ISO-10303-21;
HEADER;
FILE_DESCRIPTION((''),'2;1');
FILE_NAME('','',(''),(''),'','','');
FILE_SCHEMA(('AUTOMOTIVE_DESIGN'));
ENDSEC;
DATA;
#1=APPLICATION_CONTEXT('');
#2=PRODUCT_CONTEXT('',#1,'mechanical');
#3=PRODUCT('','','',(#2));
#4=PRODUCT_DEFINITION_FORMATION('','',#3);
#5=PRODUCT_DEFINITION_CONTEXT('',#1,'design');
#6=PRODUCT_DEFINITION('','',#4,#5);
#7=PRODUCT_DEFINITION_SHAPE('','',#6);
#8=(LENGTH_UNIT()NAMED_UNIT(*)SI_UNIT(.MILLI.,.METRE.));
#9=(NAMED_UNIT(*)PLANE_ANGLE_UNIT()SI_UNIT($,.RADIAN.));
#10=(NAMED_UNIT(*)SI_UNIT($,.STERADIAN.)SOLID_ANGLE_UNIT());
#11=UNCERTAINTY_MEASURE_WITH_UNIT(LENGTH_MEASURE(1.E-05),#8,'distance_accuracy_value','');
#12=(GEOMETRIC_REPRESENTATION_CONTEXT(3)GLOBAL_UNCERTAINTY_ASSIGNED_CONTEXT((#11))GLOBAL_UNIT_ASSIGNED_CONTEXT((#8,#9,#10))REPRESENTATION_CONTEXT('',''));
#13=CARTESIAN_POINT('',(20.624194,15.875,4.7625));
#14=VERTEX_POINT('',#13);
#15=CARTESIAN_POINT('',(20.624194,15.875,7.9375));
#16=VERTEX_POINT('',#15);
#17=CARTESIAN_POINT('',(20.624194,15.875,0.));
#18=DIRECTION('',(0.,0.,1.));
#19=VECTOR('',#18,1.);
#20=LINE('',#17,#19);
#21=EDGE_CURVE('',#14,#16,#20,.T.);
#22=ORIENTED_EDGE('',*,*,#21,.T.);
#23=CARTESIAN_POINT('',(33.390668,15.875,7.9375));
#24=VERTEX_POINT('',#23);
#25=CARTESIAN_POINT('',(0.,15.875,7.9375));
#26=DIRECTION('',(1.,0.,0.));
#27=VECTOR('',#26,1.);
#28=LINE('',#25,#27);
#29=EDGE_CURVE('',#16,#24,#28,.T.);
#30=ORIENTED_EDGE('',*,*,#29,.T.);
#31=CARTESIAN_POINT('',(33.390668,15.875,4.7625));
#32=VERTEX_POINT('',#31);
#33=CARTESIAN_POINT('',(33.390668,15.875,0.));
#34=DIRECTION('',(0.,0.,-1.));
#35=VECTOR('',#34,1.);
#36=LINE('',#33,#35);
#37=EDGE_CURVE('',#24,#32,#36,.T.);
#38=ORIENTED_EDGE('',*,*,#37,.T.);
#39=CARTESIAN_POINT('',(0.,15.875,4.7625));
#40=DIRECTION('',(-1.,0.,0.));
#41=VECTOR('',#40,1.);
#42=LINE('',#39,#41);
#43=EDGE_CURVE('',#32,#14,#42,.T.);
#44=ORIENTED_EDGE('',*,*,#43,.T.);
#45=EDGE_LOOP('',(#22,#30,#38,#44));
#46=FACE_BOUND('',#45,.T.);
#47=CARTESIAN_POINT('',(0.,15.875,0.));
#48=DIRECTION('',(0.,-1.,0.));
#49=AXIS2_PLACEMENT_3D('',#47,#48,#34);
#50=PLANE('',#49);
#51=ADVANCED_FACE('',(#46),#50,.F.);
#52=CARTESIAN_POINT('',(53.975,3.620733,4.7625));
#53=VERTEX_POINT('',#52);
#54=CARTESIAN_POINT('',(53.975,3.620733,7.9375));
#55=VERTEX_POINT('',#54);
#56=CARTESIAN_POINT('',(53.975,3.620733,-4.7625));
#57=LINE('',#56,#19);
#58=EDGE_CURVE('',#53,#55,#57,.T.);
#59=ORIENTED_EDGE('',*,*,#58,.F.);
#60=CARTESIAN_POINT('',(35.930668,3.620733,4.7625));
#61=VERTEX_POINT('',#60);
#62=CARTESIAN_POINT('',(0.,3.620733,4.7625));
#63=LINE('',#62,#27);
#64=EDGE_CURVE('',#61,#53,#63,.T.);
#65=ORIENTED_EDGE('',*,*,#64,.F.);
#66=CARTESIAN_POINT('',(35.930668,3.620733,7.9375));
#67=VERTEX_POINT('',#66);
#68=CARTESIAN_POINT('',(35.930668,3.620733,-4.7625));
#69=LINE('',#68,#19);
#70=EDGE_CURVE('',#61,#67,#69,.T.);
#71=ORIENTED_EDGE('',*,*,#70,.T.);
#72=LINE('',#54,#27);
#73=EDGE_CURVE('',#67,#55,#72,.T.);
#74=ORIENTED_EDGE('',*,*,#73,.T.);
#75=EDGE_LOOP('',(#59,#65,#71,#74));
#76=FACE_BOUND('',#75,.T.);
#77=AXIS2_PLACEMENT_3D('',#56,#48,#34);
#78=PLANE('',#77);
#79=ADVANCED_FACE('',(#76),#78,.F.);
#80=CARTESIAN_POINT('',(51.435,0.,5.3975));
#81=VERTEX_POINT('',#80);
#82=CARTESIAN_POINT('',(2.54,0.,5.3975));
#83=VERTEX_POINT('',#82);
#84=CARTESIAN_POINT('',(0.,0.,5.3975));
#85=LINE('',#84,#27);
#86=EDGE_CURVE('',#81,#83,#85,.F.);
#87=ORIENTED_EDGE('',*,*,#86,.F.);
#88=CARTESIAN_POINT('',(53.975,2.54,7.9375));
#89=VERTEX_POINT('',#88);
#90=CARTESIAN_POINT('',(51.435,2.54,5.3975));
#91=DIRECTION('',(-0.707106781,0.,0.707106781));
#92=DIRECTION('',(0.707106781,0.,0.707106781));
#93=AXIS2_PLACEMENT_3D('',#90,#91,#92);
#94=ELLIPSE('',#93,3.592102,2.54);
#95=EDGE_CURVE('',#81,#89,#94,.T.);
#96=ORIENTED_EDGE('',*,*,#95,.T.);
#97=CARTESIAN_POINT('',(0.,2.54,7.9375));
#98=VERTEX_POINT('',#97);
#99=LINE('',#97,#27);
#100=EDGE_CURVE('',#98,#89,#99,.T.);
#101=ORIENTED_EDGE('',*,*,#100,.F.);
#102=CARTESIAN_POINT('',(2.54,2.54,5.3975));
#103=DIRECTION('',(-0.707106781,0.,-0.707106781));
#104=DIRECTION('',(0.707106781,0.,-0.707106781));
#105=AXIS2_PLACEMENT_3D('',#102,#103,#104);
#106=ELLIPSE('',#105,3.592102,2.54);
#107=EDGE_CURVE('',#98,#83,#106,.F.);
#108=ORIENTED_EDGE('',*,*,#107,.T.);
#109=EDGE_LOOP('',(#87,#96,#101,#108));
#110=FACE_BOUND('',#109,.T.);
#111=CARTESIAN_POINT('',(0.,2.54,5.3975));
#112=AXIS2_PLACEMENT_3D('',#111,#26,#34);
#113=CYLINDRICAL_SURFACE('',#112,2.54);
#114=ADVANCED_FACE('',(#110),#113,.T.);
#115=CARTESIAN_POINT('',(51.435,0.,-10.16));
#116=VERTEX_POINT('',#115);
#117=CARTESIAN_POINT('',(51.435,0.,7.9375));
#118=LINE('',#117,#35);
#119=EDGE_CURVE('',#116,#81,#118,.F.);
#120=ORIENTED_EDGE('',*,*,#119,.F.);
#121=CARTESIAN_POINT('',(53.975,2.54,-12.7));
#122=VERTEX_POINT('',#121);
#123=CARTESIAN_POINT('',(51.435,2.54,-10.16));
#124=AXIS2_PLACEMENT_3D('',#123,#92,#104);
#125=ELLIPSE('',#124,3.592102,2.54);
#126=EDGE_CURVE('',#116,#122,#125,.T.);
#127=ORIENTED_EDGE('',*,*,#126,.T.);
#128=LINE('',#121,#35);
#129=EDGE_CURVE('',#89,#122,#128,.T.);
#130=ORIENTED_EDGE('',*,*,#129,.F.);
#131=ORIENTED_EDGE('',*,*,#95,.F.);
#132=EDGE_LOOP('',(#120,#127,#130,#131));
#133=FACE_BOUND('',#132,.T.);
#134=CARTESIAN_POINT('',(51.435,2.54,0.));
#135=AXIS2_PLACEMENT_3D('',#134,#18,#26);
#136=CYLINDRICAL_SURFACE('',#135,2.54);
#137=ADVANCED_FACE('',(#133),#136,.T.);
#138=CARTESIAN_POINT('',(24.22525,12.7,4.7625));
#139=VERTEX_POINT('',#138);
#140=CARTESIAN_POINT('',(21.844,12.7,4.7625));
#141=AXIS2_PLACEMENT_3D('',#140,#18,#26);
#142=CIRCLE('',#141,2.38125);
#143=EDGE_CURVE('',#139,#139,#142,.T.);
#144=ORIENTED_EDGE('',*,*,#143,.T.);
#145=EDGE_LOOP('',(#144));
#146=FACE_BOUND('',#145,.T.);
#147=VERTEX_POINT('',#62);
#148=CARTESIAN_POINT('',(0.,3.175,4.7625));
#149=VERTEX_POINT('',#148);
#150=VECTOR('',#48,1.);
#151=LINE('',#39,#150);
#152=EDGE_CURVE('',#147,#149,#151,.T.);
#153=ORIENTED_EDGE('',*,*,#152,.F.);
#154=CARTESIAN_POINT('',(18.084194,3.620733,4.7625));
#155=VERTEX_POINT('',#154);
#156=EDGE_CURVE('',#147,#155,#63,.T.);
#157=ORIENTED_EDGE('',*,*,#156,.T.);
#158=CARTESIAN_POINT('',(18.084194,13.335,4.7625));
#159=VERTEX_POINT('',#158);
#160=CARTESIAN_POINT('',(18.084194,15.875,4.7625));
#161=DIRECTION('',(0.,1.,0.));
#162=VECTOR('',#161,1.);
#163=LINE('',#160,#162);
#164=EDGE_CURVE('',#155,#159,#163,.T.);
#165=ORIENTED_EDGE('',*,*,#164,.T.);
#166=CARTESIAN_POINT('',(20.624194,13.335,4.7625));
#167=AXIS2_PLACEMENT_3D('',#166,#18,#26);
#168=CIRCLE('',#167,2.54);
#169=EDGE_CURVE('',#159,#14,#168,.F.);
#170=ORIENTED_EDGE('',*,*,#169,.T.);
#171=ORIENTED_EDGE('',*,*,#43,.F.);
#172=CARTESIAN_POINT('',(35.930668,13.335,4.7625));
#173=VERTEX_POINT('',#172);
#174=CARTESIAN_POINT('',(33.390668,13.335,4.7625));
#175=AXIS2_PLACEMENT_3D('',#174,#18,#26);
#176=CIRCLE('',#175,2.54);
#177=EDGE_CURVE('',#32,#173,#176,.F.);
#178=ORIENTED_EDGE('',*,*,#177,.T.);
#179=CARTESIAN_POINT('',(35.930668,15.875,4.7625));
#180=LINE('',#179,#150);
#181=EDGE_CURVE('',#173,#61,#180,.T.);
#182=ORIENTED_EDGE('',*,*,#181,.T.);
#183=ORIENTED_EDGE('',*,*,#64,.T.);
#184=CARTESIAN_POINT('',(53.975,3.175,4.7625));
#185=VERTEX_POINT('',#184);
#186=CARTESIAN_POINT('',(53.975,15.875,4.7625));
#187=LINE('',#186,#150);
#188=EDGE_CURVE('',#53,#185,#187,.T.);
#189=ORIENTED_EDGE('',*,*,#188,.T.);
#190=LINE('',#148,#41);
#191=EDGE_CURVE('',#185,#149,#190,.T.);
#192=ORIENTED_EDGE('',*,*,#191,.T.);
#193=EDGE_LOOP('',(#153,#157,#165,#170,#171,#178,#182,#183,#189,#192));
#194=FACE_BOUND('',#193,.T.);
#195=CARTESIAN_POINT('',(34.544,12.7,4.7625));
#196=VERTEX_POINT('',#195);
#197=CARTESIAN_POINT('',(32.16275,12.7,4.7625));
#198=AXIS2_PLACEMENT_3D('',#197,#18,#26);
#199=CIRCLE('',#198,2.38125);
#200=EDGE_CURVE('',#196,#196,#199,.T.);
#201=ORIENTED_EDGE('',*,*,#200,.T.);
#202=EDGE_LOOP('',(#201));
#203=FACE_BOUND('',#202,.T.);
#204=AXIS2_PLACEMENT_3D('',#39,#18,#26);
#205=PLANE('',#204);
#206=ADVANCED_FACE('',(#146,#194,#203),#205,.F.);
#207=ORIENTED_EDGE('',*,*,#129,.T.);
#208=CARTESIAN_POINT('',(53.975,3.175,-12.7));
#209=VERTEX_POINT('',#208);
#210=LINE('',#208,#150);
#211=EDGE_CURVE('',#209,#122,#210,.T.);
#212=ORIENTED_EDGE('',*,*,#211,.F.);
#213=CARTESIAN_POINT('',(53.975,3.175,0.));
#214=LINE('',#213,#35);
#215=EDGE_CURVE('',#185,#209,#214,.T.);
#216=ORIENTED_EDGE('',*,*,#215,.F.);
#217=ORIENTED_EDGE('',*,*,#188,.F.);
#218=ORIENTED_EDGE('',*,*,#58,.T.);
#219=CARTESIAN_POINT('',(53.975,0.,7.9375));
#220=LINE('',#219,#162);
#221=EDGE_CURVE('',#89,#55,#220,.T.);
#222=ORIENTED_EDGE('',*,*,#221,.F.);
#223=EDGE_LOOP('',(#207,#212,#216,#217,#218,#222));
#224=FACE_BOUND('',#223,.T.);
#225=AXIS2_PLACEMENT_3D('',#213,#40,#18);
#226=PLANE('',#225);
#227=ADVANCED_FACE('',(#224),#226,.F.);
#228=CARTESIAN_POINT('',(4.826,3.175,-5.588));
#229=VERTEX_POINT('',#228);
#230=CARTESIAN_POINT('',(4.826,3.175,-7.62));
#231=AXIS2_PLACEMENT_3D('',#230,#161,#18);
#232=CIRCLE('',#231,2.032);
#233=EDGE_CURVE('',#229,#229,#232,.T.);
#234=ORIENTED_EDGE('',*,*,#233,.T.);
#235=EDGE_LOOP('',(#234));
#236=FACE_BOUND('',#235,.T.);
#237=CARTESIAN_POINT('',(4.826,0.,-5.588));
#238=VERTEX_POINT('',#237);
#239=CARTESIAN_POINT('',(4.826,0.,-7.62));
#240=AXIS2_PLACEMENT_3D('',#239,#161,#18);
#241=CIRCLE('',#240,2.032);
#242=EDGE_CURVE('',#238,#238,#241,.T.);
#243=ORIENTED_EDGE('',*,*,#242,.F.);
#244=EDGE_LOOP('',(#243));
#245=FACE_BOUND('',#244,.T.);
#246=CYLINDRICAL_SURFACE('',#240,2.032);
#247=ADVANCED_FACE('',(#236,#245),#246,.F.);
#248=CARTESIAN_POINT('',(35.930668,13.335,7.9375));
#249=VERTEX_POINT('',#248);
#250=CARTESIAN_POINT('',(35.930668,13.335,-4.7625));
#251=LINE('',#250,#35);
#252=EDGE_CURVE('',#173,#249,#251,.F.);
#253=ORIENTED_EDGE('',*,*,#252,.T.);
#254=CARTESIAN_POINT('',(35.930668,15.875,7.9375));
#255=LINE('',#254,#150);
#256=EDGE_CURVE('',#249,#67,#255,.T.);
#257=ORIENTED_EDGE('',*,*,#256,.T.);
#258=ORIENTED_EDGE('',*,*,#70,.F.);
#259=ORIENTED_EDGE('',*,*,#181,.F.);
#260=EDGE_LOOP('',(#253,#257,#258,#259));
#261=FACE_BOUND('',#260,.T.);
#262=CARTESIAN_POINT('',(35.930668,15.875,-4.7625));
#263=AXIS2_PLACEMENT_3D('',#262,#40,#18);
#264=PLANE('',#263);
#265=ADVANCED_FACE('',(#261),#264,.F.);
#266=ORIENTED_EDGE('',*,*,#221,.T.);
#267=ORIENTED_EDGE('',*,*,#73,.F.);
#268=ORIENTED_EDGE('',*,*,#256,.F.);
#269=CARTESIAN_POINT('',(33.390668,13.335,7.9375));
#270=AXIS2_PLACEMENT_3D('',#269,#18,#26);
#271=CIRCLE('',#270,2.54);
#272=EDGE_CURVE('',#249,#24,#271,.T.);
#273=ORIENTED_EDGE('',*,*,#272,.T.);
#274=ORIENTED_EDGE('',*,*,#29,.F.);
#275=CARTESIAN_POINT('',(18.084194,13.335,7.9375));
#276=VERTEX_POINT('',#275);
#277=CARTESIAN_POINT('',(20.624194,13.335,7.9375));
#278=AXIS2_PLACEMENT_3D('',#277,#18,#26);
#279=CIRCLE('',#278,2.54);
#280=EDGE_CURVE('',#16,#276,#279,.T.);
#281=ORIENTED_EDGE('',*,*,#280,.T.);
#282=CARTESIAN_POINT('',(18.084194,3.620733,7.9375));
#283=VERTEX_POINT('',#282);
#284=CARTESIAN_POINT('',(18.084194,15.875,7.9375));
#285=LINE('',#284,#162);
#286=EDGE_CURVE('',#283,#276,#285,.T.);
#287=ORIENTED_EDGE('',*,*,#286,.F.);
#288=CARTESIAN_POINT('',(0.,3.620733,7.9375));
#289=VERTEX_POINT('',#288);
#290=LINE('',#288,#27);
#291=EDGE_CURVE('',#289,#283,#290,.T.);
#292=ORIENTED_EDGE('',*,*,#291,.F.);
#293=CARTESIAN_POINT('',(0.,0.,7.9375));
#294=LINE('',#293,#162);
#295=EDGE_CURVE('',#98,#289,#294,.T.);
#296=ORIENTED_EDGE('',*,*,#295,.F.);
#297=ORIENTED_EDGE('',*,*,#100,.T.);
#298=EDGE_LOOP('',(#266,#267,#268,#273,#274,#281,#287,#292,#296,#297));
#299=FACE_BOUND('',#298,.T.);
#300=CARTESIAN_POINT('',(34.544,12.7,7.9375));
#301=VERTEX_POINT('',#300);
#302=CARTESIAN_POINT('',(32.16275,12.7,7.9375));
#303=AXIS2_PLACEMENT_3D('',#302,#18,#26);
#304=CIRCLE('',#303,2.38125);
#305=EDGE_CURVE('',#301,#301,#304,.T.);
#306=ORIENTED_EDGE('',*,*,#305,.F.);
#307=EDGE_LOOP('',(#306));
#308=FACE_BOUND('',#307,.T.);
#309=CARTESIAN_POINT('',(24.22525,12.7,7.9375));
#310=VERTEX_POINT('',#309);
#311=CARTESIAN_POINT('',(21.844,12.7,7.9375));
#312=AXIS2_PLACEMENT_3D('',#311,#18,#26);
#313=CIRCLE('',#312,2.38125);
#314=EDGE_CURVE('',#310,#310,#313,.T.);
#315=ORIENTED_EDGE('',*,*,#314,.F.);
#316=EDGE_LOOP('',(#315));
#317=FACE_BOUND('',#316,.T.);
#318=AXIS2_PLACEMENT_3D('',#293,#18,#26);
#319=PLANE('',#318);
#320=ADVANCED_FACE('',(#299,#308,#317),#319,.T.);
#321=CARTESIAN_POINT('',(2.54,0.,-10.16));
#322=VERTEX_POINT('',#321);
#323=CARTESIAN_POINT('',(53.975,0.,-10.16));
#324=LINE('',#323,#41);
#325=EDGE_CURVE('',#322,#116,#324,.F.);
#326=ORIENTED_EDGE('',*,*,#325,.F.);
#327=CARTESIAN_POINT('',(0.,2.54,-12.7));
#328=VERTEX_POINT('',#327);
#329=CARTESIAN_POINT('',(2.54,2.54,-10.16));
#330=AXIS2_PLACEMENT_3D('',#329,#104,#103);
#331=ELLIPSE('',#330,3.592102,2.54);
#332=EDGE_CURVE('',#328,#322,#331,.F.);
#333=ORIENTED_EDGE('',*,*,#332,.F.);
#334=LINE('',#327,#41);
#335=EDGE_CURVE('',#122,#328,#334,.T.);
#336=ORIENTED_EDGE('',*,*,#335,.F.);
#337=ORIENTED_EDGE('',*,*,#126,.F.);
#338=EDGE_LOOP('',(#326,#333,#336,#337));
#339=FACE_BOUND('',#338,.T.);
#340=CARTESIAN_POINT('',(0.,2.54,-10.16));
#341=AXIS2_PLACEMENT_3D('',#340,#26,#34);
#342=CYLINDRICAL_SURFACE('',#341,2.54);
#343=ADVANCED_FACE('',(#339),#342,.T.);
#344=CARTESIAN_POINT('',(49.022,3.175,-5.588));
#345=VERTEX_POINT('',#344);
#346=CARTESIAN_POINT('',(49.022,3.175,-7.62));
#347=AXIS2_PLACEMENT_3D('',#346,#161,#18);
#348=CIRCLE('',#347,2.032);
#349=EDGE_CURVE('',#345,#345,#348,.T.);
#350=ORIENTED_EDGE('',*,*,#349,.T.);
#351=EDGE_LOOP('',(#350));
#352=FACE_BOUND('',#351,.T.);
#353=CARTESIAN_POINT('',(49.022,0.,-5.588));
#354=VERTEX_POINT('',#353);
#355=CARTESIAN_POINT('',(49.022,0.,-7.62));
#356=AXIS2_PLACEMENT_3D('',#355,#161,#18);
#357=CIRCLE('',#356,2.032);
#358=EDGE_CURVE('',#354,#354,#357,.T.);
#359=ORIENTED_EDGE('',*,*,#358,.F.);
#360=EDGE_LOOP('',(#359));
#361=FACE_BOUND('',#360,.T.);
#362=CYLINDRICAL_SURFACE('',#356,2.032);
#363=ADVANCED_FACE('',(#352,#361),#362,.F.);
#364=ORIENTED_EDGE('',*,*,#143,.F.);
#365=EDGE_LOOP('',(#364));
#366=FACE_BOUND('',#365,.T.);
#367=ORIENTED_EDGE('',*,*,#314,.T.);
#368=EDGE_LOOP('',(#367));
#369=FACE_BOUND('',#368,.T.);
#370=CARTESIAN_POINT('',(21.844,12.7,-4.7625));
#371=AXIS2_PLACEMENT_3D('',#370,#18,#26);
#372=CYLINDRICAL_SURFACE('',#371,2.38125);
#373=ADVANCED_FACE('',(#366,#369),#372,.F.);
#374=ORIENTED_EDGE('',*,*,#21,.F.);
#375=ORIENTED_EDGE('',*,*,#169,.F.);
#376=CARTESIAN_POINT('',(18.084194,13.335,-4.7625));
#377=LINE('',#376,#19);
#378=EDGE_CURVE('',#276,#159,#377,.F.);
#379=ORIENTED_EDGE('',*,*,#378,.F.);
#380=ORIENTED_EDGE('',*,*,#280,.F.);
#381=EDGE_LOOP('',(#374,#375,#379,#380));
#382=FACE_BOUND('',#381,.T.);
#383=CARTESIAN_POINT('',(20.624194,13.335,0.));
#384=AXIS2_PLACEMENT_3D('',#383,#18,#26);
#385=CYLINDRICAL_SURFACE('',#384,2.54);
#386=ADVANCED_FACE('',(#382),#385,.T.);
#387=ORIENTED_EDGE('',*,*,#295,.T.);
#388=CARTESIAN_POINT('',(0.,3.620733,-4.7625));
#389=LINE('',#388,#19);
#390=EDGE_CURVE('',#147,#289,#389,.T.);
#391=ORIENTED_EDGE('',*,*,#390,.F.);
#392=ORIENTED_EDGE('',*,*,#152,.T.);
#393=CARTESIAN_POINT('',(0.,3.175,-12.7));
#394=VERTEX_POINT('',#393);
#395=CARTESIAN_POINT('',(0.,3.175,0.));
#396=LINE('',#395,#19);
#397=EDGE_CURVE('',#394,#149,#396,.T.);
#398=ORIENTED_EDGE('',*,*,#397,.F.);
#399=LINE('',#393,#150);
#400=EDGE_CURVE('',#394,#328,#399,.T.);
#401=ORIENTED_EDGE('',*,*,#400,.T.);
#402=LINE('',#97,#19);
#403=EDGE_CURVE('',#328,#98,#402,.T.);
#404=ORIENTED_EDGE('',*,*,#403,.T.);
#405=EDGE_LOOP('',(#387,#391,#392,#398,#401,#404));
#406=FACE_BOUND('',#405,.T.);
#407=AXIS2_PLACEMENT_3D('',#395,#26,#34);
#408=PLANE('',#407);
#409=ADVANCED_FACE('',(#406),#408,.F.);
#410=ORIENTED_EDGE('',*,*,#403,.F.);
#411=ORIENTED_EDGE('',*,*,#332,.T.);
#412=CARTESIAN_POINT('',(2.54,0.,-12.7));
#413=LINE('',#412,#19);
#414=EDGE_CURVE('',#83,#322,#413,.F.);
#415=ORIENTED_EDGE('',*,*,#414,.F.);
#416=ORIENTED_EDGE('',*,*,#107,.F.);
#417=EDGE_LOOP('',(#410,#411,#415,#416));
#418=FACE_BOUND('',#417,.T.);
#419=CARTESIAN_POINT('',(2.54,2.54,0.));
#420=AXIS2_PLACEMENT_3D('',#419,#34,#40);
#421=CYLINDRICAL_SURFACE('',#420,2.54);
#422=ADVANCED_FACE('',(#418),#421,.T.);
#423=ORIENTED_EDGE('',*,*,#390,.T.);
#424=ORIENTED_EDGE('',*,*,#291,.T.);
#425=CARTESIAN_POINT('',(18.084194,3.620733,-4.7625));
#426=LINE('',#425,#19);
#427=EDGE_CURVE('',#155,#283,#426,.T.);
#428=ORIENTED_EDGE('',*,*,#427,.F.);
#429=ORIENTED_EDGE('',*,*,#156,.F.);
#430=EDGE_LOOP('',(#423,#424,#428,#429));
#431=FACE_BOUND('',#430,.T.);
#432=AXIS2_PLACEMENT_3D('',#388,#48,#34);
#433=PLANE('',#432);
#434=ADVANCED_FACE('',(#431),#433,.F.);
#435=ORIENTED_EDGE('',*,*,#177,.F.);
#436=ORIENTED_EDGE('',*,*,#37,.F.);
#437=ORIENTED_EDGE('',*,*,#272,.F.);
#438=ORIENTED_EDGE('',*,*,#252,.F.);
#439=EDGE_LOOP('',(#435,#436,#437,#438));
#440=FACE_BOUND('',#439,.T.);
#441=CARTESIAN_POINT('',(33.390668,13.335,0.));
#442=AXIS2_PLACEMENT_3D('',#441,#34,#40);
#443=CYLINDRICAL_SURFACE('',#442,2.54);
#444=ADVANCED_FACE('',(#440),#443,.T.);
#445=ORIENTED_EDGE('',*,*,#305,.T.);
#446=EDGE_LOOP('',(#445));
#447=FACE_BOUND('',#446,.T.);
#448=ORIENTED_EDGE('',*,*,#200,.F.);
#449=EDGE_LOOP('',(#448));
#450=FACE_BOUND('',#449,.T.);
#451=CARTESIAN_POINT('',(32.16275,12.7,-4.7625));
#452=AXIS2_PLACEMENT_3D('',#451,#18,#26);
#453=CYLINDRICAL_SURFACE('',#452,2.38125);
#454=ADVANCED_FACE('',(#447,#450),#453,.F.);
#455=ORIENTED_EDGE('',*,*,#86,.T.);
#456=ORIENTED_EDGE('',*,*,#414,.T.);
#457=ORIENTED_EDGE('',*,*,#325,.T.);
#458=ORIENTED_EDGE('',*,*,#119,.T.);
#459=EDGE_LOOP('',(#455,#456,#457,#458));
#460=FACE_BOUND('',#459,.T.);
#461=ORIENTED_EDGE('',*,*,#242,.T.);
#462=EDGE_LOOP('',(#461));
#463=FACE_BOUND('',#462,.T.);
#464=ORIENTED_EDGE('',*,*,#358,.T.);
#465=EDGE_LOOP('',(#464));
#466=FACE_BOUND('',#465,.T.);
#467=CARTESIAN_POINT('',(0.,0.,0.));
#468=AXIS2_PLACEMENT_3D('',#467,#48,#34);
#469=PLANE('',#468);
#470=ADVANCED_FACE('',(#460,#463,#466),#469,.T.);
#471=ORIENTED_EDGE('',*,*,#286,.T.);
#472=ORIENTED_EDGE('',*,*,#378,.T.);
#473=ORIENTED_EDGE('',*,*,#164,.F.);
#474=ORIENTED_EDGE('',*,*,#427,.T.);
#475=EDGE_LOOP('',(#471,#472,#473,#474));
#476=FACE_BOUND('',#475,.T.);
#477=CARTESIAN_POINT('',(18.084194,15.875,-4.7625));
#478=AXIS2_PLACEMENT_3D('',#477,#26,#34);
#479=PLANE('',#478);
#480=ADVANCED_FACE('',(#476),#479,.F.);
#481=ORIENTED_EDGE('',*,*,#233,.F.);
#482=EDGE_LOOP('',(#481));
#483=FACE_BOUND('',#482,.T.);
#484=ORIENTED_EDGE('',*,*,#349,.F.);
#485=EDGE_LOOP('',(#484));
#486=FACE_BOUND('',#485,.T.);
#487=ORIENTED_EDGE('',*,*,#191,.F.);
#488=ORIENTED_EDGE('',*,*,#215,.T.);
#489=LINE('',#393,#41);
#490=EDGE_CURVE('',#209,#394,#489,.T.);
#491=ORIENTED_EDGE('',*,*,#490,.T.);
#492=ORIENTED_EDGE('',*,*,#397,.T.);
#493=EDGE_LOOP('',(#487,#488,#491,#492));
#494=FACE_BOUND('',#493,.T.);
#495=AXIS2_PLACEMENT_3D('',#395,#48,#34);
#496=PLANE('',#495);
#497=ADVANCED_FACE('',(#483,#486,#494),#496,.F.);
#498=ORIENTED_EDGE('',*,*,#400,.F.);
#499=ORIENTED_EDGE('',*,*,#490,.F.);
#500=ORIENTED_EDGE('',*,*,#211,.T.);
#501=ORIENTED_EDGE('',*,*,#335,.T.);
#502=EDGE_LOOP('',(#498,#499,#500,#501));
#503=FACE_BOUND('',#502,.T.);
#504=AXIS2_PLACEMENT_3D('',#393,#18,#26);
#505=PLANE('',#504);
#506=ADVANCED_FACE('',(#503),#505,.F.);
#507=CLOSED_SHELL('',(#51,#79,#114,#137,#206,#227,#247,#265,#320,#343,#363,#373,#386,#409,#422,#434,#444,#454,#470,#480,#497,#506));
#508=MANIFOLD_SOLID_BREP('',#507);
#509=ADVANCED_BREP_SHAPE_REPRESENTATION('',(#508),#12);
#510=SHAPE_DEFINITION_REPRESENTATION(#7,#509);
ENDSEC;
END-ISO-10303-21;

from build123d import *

# Parameters (mm, degrees)
ESQUISSE1_W             = 53.975
ESQUISSE1_H             = 12.7
BOSS_EXTRU_1_DEPTH      = 3.175
ESQUISSE2_R             = 2.032
ENL_V_MAT_EXTRU_1_DEPTH = 3.175
ESQUISSE3_W             = 53.975
ESQUISSE3_H             = 7.9375
BOSS_EXTRU_2_DEPTH      = 3.175
ESQUISSE4_W             = 53.975
ESQUISSE4_H             = 3.175
BOSS_EXTRU_3_DEPTH      = 12.7
ESQUISSE5_R             = 2.38125
ENL_V_MAT_EXTRU_2_DEPTH = 12.7
ESQUISSE6_W             = 18.084193737
ESQUISSE6_H             = 12.254267232
ESQUISSE6_W_2           = 18.044331553
ENL_V_MAT_EXTRU_3_DEPTH = 12.7
CONG_2_R                = 2.54


with BuildPart() as part:
    # Esquisse1 → Boss.-Extru.1 (new body)
    with BuildSketch(Plane(origin=(0, 0, 0), x_dir=(1, 0, 0), z_dir=(0, 1, 0))):
        with Locations((26.9875, 6.35)):
            Rectangle(ESQUISSE1_W, ESQUISSE1_H)
    extrude(amount=BOSS_EXTRU_1_DEPTH)

    # Esquisse2 → Enlèv. mat.-Extru.1 (cut)
    with BuildSketch(Plane(origin=(0, 3.175, 0), x_dir=(1, 0, 0), z_dir=(0, 1, 0))):
        with Locations(Location((4.826, 7.62, 0), (0, 0, 270))):
            Circle(ESQUISSE2_R)
        with Locations(Location((49.022, 7.62, 0), (0, 0, 270))):
            Circle(ESQUISSE2_R)
    extrude(amount=-ENL_V_MAT_EXTRU_1_DEPTH, mode=Mode.SUBTRACT)

    # Esquisse3 → Boss.-Extru.2 (add)
    with BuildSketch(Plane(origin=(0, 3.175, 0), x_dir=(1, 0, 0), z_dir=(0, 1, 0))):
        with Locations((26.9875, -3.96875)):
            Rectangle(ESQUISSE3_W, ESQUISSE3_H)
    extrude(amount=-BOSS_EXTRU_2_DEPTH)

    # Esquisse4 → Boss.-Extru.3 (add)
    with BuildSketch(Plane(origin=(0, 3.175, 0), x_dir=(1, 0, 0), z_dir=(0, 1, 0))):
        with Locations((26.9875, -6.35)):
            Rectangle(ESQUISSE4_W, ESQUISSE4_H)
    extrude(amount=BOSS_EXTRU_3_DEPTH)

    # Esquisse5 → Enlèv. mat.-Extru.2 (cut)
    with BuildSketch(Plane.XY.offset(7.9375)):
        with Locations((21.844, 12.7)):
            Circle(ESQUISSE5_R)
        with Locations((32.16275, 12.7)):
            Circle(ESQUISSE5_R)
    extrude(amount=-ENL_V_MAT_EXTRU_2_DEPTH, mode=Mode.SUBTRACT)

    # Esquisse6 → Enlèv. mat.-Extru.3 (cut)
    with BuildSketch(Plane.XY.offset(7.9375)):
        with Locations((9.042096868, 9.747866384)):
            Rectangle(ESQUISSE6_W, ESQUISSE6_H)
        with Locations((44.952834224, 9.747866384)):
            Rectangle(ESQUISSE6_W_2, ESQUISSE6_H)
    extrude(amount=-ENL_V_MAT_EXTRU_3_DEPTH, mode=Mode.SUBTRACT)

    # Congé2
    cong_2_edges = [part.edges().sort_by_distance(p)[0] for p in [
        (26.9875, 0, 7.9375),
        (26.9875, 0, -12.7),
        (53.975, 0, -2.38125),
        (0, 0, -2.38125),
        (35.930668447, 15.875, 6.35),
        (18.084193737, 15.875, 6.35),
    ]]
    fillet(cong_2_edges, radius=CONG_2_R)


solid = part.part
